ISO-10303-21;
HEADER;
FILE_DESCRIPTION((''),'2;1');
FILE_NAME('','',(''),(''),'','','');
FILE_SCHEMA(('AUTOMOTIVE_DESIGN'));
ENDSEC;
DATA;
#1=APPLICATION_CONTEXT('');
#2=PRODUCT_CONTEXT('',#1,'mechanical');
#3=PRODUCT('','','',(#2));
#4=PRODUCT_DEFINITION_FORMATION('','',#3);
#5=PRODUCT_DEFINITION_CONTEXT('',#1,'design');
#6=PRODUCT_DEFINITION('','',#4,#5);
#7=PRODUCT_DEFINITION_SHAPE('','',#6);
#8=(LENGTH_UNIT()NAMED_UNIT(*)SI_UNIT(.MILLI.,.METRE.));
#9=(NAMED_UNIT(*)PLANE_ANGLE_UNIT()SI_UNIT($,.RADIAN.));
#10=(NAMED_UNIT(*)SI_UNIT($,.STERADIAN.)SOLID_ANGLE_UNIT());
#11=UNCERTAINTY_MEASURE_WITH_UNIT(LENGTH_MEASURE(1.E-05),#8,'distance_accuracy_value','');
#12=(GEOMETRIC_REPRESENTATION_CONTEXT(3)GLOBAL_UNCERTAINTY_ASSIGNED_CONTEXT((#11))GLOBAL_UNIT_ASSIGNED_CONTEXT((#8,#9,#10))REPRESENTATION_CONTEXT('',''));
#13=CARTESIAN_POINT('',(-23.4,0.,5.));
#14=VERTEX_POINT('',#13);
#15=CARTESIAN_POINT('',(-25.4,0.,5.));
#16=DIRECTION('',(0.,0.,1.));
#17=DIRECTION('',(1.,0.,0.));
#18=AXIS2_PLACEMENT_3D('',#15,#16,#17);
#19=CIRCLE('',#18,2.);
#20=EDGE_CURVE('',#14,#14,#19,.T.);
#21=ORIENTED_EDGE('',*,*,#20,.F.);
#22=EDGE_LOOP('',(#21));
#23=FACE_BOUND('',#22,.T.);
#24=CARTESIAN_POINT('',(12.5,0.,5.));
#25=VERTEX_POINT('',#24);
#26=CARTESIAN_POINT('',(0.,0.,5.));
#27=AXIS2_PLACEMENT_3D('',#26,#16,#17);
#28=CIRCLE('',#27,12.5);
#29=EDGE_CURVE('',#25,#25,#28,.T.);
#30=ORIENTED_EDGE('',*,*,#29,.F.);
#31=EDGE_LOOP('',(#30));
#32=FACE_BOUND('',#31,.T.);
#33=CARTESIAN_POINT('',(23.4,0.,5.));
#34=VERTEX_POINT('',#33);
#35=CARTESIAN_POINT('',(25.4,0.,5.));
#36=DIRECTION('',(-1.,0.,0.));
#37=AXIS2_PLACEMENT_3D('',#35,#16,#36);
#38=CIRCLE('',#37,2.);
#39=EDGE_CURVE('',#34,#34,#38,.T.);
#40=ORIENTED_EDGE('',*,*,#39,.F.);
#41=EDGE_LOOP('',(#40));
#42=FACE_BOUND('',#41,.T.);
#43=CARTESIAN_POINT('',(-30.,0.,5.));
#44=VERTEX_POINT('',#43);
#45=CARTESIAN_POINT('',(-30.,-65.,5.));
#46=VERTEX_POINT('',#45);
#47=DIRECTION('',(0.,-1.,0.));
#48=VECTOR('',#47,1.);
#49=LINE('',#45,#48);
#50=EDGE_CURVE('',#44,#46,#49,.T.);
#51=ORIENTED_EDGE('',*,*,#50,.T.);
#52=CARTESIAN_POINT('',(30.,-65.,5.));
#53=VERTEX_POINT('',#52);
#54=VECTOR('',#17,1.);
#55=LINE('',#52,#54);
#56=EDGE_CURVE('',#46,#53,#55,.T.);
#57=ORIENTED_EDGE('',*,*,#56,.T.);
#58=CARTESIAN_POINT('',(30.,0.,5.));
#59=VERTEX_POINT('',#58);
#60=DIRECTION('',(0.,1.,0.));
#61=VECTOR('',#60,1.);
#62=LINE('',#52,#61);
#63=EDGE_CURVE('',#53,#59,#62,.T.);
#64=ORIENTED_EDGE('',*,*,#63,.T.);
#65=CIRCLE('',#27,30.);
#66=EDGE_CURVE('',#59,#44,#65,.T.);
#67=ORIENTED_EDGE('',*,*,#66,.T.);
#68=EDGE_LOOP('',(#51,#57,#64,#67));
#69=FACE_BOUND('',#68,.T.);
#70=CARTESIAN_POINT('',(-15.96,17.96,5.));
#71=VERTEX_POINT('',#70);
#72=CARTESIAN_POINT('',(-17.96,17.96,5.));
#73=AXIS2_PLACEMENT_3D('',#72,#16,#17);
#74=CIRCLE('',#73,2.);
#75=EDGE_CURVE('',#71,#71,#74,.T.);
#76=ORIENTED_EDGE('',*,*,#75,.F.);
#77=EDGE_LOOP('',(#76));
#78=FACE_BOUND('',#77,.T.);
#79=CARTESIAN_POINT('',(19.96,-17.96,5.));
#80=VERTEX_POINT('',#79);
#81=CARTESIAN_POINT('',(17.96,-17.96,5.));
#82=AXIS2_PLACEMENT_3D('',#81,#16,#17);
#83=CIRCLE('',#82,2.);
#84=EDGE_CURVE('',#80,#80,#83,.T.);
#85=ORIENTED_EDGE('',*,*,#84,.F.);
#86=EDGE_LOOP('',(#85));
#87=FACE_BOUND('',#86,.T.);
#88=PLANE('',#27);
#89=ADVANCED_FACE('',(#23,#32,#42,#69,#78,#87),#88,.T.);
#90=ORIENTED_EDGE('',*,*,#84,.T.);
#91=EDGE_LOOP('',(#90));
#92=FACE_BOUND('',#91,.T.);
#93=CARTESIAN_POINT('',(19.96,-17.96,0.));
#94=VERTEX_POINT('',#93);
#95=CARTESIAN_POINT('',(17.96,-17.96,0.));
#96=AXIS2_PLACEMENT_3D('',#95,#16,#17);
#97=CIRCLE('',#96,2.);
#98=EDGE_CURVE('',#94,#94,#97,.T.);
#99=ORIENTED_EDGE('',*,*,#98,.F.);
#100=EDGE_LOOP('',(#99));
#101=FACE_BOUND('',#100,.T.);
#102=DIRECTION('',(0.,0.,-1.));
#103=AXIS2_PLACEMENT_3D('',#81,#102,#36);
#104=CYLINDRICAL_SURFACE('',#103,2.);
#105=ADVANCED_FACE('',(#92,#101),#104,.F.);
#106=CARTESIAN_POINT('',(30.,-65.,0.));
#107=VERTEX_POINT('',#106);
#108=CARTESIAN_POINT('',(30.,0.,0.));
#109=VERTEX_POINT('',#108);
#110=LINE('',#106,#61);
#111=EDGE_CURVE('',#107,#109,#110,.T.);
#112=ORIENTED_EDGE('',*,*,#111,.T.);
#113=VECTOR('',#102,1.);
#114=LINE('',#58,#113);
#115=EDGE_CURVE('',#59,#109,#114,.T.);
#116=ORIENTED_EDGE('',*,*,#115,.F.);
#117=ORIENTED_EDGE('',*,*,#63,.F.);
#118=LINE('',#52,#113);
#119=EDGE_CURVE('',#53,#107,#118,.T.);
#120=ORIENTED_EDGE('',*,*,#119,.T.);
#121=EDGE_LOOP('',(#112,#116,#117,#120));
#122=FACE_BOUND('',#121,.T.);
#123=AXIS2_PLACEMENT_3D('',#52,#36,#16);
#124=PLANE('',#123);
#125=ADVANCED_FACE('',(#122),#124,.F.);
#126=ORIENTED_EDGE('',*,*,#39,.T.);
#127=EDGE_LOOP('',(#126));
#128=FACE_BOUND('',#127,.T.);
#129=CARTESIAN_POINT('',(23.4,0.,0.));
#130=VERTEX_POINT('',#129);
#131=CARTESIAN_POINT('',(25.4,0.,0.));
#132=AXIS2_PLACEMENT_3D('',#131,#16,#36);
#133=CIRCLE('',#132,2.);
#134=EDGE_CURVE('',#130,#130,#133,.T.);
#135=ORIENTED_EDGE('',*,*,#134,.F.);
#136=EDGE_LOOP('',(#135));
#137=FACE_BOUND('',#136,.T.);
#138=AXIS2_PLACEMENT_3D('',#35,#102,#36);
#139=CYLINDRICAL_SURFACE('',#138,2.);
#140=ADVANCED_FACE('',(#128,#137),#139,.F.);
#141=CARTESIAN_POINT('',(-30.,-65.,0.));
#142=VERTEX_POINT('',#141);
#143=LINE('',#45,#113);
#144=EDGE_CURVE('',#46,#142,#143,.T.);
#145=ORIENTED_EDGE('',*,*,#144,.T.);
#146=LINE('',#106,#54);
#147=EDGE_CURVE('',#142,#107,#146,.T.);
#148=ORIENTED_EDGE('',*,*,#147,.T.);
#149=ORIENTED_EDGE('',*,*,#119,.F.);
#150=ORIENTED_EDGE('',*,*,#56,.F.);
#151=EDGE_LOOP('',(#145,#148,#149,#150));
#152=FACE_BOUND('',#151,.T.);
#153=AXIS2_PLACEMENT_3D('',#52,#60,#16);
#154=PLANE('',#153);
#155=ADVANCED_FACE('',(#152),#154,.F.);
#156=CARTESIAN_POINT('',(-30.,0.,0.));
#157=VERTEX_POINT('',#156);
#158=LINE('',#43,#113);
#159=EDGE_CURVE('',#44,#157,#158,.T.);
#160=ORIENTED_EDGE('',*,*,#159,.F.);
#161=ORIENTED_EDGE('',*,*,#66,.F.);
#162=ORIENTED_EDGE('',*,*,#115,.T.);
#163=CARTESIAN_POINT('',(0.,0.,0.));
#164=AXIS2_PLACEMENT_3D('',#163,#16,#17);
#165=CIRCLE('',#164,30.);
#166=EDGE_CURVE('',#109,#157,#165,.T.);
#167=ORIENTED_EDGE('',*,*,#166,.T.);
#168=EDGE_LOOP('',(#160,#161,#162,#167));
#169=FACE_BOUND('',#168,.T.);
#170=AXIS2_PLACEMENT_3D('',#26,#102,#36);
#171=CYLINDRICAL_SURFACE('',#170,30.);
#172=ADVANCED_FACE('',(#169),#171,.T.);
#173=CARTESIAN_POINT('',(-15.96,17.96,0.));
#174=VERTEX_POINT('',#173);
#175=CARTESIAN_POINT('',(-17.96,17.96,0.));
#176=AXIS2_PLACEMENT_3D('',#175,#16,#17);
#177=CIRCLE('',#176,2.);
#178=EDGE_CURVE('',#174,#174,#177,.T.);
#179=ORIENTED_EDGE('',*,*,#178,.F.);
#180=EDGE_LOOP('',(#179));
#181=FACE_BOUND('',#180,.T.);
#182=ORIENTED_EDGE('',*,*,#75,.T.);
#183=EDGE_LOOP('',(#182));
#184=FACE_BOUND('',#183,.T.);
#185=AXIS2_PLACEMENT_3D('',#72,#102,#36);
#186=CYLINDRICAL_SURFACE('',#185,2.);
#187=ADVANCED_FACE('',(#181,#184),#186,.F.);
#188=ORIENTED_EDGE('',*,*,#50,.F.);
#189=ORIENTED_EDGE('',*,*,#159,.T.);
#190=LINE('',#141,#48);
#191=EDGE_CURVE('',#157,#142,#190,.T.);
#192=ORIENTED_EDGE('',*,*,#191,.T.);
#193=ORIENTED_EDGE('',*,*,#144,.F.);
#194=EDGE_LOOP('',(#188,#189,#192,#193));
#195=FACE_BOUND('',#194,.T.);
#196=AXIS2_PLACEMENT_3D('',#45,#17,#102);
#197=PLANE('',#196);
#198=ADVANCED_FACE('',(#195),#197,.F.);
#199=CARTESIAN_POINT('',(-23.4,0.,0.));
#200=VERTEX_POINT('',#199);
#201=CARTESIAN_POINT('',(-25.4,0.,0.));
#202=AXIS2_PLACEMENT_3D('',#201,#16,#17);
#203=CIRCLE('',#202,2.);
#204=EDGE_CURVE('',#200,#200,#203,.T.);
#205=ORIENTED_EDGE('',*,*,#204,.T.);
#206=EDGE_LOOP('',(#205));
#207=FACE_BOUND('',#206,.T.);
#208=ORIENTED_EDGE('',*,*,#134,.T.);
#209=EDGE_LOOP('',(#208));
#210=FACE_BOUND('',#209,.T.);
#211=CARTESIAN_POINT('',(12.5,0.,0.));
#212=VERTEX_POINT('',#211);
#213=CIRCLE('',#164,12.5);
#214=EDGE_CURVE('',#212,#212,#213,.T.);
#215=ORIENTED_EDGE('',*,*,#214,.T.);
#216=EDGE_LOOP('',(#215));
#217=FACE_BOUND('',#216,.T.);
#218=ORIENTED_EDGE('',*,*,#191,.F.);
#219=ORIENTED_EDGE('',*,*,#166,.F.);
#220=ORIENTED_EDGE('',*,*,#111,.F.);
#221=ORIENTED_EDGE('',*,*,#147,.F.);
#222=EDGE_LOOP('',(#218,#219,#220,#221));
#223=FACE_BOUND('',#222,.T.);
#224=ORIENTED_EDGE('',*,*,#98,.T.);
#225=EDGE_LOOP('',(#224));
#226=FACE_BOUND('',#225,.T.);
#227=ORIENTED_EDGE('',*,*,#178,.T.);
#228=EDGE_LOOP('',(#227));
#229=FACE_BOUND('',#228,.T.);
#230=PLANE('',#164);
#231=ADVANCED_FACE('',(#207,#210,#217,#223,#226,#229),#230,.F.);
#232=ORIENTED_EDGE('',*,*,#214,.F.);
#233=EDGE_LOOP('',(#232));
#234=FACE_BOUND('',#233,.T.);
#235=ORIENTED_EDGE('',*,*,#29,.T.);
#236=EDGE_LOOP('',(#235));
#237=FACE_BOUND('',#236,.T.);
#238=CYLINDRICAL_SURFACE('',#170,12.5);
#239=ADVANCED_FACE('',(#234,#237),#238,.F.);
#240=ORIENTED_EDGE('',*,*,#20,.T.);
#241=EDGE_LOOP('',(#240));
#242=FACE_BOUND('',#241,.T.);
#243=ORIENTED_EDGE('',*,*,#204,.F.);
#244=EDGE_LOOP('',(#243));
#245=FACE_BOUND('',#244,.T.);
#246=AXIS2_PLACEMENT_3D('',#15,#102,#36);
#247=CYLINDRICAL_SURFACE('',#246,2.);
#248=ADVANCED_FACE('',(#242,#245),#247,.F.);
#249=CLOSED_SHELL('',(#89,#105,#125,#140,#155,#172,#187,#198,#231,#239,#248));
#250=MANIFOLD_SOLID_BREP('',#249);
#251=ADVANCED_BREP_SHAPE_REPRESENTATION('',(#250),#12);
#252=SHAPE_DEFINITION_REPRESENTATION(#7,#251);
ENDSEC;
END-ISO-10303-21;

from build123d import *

# Parameters (mm, degrees)
SKETCH_1_R      = 2
SKETCH_1_R_2    = 12.5
EXTRUDE_1_DEPTH = 5


with BuildPart() as part:
    # 草图1 → 凸台-拉伸1 (new body)
    with BuildSketch(Plane.XY):
        with BuildLine():
            Line((30, -65), (-30, -65))
            Line((-30, -65), (-30, 0))
            ThreePointArc((-30, 0), (0, 30), (30, 0))
            Line((30, 0), (30, -65))
        make_face()
        with Locations((-17.96, 17.96)):
            Circle(SKETCH_1_R, mode=Mode.SUBTRACT)
        with Locations((-25.4, 0)):
            Circle(SKETCH_1_R, mode=Mode.SUBTRACT)
        with Locations(Location((25.4, 0, 0), (0, 0, 180))):
            Circle(SKETCH_1_R, mode=Mode.SUBTRACT)
        with Locations((17.96, -17.96)):
            Circle(SKETCH_1_R, mode=Mode.SUBTRACT)
        Circle(SKETCH_1_R_2, mode=Mode.SUBTRACT)
    extrude(amount=EXTRUDE_1_DEPTH)


solid = part.part
